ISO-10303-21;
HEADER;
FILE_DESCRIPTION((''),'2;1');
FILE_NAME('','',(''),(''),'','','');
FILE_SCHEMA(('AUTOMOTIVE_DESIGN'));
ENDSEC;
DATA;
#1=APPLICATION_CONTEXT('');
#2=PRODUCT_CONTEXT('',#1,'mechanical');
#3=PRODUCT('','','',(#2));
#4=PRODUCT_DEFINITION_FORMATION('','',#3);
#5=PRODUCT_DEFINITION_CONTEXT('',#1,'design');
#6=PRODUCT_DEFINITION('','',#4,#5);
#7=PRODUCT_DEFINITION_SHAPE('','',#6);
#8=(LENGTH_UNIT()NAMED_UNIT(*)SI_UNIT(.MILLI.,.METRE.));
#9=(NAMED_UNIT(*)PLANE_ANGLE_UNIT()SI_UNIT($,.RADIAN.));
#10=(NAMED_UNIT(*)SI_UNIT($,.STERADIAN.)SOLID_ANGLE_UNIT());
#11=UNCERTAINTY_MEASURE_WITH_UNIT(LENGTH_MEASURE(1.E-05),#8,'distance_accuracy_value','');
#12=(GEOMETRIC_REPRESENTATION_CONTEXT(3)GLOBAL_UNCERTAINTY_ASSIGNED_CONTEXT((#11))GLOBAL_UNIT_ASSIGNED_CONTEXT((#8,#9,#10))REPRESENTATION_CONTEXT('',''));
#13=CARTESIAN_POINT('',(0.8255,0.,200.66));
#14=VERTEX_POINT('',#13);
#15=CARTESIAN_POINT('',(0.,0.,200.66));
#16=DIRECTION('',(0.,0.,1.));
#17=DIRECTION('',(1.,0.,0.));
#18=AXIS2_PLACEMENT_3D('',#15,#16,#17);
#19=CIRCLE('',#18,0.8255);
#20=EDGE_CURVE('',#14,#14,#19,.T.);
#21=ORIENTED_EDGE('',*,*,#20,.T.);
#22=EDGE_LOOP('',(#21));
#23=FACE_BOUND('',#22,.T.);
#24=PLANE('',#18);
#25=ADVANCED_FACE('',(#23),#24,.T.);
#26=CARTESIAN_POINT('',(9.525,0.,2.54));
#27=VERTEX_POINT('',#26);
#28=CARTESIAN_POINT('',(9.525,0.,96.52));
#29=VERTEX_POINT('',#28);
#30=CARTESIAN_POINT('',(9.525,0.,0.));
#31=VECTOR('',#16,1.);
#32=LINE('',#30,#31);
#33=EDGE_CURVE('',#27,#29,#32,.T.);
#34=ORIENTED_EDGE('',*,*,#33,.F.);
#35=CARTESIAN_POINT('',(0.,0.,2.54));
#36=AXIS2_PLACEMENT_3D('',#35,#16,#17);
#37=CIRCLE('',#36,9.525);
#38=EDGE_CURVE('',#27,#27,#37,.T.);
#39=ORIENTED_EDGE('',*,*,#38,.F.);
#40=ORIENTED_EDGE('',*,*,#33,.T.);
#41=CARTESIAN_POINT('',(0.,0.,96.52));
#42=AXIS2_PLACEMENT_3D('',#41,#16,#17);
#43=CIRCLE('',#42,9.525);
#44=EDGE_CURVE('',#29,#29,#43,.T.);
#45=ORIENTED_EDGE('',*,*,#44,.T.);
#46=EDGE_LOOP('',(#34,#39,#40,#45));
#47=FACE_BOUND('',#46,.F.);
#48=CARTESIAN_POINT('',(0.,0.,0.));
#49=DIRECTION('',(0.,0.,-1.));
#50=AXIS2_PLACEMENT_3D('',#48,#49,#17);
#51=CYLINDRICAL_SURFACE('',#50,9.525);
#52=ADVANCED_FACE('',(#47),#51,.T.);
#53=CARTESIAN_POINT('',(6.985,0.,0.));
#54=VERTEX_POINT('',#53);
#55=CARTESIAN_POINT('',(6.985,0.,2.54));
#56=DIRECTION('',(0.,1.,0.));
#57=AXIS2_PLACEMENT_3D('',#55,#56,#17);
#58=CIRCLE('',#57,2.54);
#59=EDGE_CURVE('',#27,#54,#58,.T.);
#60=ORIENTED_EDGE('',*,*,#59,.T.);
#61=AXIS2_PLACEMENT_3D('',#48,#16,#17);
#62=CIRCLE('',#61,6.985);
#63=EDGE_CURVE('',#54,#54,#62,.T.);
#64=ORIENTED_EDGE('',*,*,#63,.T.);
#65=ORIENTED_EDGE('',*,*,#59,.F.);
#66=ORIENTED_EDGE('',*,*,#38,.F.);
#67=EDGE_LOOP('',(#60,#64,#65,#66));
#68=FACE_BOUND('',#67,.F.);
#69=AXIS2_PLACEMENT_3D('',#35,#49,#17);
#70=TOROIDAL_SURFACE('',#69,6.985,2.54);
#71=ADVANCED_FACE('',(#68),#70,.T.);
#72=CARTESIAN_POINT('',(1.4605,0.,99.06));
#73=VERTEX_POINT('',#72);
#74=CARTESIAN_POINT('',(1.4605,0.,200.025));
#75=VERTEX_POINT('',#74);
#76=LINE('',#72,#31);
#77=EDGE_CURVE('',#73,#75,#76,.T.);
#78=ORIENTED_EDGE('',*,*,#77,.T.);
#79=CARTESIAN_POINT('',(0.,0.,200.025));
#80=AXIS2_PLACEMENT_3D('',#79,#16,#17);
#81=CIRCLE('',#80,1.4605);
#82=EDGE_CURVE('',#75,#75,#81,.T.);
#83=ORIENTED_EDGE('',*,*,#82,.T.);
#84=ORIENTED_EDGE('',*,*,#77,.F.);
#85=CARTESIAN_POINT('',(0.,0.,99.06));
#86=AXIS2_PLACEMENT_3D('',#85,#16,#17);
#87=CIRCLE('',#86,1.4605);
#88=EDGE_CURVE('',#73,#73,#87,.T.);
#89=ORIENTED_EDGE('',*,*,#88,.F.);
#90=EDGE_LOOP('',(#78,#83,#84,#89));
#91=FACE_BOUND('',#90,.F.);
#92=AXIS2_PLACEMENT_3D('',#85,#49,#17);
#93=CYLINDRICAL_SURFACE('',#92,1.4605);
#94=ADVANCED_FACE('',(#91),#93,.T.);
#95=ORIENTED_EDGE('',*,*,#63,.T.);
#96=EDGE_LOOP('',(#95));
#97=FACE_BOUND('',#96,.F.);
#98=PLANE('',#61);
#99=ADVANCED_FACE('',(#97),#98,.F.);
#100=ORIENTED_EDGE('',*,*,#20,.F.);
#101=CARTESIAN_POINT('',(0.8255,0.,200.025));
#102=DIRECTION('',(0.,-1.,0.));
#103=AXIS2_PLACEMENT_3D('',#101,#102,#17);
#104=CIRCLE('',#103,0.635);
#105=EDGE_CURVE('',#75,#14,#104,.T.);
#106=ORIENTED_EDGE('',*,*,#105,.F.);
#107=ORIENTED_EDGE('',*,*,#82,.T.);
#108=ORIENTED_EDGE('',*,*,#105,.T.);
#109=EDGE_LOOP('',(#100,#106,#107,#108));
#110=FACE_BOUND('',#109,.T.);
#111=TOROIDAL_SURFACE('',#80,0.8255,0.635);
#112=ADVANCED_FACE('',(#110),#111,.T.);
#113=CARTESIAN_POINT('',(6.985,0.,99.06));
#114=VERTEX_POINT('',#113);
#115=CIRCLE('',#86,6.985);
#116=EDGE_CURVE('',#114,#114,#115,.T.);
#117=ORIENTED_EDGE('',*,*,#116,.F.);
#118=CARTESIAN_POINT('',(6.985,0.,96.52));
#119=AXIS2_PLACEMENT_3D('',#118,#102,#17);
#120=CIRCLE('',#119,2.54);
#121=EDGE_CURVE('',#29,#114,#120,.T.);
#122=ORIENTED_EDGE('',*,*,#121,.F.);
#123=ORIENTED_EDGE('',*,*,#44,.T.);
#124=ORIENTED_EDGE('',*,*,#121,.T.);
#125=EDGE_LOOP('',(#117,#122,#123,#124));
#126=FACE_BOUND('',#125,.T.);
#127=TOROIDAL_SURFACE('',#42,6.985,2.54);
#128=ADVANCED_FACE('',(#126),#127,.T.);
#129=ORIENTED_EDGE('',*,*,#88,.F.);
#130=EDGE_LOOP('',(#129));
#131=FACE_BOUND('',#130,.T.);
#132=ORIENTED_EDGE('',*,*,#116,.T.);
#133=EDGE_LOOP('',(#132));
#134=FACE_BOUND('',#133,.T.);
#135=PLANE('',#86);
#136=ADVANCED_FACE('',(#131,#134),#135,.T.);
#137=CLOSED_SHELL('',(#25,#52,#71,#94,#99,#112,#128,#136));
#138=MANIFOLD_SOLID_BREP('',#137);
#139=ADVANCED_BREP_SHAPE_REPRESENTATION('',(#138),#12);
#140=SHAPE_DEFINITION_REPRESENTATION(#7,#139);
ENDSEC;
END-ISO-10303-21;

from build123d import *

# Parameters (mm, degrees)
F0_R     = 9.525
F1_DEPTH = 99.06
F2_R     = 1.4605
F3_DEPTH = 101.6
F4_R     = 0.635
F5_R     = 2.54
F6_R     = 2.54


with BuildPart() as f1:
    # F0 (on Top) → F1 (new body)
    with BuildSketch(Plane.XY):
        Circle(F0_R)
    extrude(amount=F1_DEPTH)

    # F2 (on face) → F3 (join)
    with BuildSketch(Plane.XY.offset(99.06)):
        Circle(F2_R)
    extrude(amount=F3_DEPTH)

    # F4
    f4_edges = [f1.edges().sort_by_distance(p)[0] for p in [
        (-1.4605, 0, 200.66),
    ]]
    fillet(f4_edges, radius=F4_R)

    # F5
    f5_edges = [f1.edges().sort_by_distance(p)[0] for p in [
        (-9.525, 0, 0),
    ]]
    fillet(f5_edges, radius=F5_R)

    # F6
    f6_edges = [f1.edges().sort_by_distance(p)[0] for p in [
        (-9.525, 0, 99.06),
    ]]
    fillet(f6_edges, radius=F6_R)


solid = f1.part
